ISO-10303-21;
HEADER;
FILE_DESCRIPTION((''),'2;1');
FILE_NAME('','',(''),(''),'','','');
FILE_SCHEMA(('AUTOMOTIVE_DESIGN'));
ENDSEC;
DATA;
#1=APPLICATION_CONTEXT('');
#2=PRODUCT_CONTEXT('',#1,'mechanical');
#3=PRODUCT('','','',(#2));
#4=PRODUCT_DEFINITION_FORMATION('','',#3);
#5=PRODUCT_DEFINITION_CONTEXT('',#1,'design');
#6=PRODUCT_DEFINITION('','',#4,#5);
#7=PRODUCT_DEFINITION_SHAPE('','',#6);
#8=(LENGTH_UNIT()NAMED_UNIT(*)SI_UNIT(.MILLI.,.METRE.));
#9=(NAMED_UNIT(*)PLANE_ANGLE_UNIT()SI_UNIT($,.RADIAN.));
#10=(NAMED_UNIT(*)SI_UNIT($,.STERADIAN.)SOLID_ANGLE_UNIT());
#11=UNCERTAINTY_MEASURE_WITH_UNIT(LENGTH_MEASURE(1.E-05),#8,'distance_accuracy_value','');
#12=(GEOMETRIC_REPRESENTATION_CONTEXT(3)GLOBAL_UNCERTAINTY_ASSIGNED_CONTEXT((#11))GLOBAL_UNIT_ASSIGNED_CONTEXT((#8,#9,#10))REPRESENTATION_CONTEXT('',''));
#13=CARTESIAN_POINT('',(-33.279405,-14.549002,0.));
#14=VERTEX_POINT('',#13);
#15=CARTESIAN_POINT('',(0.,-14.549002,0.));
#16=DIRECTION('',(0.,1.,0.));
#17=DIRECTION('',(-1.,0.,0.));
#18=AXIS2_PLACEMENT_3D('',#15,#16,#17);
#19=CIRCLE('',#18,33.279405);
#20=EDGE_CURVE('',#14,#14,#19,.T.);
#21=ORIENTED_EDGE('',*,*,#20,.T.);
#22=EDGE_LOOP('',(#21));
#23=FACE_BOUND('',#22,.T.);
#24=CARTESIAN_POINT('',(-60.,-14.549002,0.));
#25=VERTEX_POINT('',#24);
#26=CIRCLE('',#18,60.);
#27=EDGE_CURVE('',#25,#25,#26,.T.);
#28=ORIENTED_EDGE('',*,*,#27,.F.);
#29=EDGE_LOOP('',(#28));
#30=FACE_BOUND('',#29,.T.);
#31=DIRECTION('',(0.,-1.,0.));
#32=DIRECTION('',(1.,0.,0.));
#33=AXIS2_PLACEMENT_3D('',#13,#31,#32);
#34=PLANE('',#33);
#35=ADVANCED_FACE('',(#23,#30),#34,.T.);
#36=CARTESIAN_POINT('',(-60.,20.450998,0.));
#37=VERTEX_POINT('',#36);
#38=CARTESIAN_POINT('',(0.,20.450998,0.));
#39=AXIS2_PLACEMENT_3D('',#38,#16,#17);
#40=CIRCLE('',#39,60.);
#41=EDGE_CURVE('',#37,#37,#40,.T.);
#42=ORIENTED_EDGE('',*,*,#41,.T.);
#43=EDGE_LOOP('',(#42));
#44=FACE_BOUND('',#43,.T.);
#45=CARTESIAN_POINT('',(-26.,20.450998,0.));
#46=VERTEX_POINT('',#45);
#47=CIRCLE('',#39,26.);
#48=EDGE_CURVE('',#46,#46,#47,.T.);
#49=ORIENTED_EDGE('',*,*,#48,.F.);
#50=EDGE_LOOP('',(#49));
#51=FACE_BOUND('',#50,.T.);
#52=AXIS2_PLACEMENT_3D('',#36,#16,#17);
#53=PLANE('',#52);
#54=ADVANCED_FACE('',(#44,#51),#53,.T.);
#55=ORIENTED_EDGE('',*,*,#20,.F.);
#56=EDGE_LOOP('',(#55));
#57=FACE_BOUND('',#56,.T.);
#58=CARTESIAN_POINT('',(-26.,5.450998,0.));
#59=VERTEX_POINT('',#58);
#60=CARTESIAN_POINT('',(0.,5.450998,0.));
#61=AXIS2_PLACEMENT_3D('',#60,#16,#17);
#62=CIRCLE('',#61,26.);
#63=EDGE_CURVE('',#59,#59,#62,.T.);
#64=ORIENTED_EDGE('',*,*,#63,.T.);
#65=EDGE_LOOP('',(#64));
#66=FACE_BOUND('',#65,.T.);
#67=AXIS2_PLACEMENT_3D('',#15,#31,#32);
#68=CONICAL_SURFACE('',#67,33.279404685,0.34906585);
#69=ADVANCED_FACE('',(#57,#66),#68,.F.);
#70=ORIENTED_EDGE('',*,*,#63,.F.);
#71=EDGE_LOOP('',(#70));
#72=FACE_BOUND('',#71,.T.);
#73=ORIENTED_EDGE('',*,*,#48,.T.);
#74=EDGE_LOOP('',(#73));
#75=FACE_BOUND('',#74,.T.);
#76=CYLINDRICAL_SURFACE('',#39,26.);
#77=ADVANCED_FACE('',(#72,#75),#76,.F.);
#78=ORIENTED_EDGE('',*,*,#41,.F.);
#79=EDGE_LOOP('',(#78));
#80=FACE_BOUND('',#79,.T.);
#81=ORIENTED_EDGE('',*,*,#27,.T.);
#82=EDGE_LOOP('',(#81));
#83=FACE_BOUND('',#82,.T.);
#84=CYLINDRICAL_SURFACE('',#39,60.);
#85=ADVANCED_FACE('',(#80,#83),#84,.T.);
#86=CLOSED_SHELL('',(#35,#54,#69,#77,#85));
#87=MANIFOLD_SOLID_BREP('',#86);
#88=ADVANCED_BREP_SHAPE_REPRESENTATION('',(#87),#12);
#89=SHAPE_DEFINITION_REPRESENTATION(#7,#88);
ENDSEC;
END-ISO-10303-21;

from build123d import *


with BuildPart() as part:
    # Szkic1 → Obrót1 (revolve)
    with BuildSketch(Plane.XY):
        Polygon((-60, 20.450998336), (-60, -14.549001664), (-33.279404685, -14.549001664), (-26, 5.450998336), (-26, 20.450998336), align=None)
    revolve(axis=Axis((0, 20.450998336, 0), (0, -1, 0)))


solid = part.part
